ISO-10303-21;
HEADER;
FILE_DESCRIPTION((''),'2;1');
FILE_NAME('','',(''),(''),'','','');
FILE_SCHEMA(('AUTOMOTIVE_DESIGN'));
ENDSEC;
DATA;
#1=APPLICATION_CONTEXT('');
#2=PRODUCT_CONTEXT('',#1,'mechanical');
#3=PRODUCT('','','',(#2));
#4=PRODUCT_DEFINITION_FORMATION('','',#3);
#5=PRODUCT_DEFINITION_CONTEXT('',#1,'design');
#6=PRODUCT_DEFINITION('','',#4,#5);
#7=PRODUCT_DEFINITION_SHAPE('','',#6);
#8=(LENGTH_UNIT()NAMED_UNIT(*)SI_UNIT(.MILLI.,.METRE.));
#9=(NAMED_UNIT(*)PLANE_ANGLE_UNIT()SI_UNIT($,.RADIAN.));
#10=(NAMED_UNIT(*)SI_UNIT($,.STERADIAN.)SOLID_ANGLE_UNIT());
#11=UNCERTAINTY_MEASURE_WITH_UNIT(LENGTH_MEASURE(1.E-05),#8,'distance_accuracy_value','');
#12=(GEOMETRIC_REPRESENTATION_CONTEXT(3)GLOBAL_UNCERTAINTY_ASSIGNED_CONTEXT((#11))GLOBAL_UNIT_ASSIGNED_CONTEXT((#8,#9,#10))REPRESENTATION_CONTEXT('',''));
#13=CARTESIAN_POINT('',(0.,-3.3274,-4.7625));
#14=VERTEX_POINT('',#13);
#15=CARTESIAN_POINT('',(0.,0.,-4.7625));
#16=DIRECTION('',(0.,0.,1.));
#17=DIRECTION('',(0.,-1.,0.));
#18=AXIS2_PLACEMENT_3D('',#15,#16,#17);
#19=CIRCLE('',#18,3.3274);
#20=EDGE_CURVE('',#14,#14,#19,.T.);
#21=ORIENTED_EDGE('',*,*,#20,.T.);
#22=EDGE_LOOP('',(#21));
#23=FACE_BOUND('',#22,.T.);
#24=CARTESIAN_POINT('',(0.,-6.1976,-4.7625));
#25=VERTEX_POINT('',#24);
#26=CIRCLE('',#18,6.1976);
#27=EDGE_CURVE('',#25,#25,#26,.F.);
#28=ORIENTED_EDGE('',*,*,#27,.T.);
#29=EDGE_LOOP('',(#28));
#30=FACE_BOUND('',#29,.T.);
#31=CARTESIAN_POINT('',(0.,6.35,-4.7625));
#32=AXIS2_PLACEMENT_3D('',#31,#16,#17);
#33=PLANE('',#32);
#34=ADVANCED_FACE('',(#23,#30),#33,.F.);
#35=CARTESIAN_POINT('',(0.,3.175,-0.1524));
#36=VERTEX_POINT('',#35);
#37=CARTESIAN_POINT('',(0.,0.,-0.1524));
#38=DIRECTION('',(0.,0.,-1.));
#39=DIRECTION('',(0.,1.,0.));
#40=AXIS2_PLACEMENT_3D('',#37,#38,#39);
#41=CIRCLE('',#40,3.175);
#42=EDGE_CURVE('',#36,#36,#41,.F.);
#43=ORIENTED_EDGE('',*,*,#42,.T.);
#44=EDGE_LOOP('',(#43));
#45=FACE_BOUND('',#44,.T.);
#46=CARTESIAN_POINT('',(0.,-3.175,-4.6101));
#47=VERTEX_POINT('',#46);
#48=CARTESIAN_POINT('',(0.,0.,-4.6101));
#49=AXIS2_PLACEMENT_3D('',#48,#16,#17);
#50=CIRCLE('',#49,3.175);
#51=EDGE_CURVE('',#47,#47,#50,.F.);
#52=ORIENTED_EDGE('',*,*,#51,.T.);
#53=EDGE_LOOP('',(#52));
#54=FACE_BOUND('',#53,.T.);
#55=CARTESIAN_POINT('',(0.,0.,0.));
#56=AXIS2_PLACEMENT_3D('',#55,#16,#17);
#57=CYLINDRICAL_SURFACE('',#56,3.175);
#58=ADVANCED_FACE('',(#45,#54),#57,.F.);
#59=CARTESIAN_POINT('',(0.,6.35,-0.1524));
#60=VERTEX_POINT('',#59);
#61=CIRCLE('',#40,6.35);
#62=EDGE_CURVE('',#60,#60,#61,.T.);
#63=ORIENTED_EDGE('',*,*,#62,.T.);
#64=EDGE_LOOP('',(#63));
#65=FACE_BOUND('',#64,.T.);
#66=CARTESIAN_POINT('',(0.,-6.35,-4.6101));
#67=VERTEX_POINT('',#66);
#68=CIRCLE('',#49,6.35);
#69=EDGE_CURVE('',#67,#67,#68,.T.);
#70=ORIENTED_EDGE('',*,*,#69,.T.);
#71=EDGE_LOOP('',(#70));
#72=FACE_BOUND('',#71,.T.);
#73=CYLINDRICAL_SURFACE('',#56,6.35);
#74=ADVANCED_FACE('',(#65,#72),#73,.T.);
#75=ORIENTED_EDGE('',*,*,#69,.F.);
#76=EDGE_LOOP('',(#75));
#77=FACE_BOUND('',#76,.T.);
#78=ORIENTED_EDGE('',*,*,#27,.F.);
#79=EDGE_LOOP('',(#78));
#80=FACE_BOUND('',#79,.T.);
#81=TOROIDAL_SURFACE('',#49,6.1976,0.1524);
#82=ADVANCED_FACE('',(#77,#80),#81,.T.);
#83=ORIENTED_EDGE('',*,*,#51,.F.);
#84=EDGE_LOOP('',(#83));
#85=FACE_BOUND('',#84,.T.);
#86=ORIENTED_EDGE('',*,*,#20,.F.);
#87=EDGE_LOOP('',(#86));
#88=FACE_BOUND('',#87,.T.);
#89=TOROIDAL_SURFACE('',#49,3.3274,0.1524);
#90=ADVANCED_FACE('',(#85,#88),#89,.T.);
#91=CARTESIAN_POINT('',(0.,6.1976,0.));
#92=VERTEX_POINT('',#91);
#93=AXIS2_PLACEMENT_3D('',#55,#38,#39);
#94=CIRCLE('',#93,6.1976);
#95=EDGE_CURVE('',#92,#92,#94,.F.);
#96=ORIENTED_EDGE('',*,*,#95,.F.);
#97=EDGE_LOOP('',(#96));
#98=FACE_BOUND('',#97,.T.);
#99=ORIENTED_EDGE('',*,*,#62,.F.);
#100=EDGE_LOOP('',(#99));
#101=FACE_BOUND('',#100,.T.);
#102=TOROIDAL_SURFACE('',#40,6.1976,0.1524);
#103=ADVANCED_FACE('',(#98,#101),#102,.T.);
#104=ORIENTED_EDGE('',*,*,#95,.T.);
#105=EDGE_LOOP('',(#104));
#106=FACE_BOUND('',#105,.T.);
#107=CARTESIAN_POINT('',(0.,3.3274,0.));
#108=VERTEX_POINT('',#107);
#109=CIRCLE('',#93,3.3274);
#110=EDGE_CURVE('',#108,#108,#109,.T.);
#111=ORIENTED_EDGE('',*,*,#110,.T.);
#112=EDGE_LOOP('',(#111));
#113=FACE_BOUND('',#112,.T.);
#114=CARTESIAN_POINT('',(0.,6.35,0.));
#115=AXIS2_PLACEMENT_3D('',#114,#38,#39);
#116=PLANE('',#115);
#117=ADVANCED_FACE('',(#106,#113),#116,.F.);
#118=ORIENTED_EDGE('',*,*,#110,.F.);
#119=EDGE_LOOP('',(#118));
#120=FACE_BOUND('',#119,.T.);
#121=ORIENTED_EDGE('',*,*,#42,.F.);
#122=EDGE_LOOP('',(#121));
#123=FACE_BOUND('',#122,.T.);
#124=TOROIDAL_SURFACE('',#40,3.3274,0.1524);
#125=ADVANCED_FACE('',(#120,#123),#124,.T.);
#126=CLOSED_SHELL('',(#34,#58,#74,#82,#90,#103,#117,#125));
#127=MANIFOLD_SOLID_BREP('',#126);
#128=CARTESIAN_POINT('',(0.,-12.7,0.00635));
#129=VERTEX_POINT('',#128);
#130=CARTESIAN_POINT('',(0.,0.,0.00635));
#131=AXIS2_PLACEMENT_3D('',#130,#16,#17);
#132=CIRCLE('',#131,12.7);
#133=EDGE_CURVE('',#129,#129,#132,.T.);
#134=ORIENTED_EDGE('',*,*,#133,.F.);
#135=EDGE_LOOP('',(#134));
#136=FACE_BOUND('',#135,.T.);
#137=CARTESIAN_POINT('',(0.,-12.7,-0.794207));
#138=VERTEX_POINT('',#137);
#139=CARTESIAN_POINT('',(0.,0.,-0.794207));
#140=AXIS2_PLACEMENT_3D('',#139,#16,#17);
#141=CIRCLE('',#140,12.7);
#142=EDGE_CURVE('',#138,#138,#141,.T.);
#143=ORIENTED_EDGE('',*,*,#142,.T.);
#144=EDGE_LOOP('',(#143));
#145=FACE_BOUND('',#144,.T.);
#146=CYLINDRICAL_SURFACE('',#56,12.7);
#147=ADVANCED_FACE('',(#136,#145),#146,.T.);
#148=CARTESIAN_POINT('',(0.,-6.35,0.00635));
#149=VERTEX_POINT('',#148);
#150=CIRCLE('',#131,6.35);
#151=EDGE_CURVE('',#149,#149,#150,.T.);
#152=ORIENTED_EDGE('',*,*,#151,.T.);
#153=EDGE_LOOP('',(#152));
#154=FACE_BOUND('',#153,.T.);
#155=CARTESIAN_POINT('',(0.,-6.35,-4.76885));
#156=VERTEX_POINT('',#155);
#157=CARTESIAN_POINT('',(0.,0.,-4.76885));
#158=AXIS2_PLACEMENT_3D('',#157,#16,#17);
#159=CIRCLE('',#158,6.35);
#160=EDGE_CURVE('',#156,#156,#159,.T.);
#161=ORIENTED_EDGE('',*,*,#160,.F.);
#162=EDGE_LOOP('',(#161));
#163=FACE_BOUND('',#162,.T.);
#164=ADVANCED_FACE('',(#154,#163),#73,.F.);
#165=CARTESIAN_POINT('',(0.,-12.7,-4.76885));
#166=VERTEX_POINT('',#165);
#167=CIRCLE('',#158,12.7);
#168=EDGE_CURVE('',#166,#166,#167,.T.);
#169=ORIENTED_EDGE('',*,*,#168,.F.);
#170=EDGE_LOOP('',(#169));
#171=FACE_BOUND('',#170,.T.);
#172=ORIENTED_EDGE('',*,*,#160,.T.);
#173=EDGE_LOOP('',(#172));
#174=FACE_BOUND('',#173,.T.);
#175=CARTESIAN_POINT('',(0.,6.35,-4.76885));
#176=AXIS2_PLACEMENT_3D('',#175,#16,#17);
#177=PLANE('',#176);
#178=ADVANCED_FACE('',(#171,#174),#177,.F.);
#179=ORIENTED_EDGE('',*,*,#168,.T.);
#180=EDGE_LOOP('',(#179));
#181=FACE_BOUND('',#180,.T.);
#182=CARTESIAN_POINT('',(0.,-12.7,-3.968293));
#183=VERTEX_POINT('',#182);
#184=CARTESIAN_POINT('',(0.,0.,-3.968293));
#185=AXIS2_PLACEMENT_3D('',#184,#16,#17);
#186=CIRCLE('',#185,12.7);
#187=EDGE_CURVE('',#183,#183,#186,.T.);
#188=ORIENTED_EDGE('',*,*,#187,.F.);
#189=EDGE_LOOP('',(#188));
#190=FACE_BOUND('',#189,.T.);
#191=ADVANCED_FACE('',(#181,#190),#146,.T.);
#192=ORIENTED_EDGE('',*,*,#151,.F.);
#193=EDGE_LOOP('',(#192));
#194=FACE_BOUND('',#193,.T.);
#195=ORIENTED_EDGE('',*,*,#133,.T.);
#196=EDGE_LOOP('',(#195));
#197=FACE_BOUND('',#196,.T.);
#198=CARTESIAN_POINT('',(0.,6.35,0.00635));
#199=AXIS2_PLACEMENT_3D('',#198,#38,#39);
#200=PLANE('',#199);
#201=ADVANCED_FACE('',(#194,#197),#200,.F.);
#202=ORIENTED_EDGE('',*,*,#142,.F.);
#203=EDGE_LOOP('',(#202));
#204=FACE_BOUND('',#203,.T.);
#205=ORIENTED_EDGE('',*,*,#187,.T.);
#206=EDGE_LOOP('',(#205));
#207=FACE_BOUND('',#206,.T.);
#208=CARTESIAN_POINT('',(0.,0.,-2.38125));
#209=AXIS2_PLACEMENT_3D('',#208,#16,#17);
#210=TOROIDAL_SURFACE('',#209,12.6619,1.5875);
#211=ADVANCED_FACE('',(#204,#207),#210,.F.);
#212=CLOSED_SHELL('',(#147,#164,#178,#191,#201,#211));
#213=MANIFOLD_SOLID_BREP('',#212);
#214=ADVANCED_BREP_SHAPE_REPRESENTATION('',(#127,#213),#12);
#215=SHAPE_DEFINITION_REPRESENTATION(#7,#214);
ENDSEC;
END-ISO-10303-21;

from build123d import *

# Parameters (mm, degrees)
SKETCH2_W = 4.7625
SKETCH2_H = 3.175
FILLET1_R = 0.1524


with BuildPart() as part:
    # Sketch1 → Revolve1 (revolve)
    with BuildSketch(Plane(origin=(0, 0, 0), x_dir=(0, 0, -1), z_dir=(1, 0, 0)), mode=Mode.PRIVATE) as revolve1_sk:
        with BuildLine():
            Line((3.968292734, 12.7), (4.76885, 12.7))
            Line((4.76885, 12.7), (4.76885, 6.35))
            Line((4.76885, 6.35), (-0.00635, 6.35))
            Line((-0.00635, 6.35), (-0.00635, 12.7))
            Line((-0.00635, 12.7), (0.794207266, 12.7))
            ThreePointArc((0.794207266, 12.7), (2.38125, 11.0744), (3.968292734, 12.7))
        make_face()
    revolve(revolve1_sk.sketch.rotate(Axis((0, 0, 0), (0, 0, -1)), 180), axis=Axis((0, 0, 0), (0, 0, -1)))


with BuildPart() as body_2:
    # Sketch2 → Revolve2 (revolve)
    with BuildSketch(Plane(origin=(0, 0, 0), x_dir=(0, 0, -1), z_dir=(1, 0, 0)), mode=Mode.PRIVATE) as revolve2_sk:
        with Locations((2.38125, 4.7625)):
            Rectangle(SKETCH2_W, SKETCH2_H)
    revolve(revolve2_sk.sketch.rotate(Axis((0, 0, 0), (0, 0, -1)), 180), axis=Axis((0, 0, 0), (0, 0, -1)))

    # Fillet1
    fillet1_edges = [body_2.edges().sort_by_distance(p)[0] for p in [
        (0, 6.35, 0),
        (0, 6.35, -4.7625),
        (0, 3.175, -4.7625),
        (0, 3.175, 0),
    ]]
    fillet(fillet1_edges, radius=FILLET1_R)


solid = Compound([part.part, body_2.part])
